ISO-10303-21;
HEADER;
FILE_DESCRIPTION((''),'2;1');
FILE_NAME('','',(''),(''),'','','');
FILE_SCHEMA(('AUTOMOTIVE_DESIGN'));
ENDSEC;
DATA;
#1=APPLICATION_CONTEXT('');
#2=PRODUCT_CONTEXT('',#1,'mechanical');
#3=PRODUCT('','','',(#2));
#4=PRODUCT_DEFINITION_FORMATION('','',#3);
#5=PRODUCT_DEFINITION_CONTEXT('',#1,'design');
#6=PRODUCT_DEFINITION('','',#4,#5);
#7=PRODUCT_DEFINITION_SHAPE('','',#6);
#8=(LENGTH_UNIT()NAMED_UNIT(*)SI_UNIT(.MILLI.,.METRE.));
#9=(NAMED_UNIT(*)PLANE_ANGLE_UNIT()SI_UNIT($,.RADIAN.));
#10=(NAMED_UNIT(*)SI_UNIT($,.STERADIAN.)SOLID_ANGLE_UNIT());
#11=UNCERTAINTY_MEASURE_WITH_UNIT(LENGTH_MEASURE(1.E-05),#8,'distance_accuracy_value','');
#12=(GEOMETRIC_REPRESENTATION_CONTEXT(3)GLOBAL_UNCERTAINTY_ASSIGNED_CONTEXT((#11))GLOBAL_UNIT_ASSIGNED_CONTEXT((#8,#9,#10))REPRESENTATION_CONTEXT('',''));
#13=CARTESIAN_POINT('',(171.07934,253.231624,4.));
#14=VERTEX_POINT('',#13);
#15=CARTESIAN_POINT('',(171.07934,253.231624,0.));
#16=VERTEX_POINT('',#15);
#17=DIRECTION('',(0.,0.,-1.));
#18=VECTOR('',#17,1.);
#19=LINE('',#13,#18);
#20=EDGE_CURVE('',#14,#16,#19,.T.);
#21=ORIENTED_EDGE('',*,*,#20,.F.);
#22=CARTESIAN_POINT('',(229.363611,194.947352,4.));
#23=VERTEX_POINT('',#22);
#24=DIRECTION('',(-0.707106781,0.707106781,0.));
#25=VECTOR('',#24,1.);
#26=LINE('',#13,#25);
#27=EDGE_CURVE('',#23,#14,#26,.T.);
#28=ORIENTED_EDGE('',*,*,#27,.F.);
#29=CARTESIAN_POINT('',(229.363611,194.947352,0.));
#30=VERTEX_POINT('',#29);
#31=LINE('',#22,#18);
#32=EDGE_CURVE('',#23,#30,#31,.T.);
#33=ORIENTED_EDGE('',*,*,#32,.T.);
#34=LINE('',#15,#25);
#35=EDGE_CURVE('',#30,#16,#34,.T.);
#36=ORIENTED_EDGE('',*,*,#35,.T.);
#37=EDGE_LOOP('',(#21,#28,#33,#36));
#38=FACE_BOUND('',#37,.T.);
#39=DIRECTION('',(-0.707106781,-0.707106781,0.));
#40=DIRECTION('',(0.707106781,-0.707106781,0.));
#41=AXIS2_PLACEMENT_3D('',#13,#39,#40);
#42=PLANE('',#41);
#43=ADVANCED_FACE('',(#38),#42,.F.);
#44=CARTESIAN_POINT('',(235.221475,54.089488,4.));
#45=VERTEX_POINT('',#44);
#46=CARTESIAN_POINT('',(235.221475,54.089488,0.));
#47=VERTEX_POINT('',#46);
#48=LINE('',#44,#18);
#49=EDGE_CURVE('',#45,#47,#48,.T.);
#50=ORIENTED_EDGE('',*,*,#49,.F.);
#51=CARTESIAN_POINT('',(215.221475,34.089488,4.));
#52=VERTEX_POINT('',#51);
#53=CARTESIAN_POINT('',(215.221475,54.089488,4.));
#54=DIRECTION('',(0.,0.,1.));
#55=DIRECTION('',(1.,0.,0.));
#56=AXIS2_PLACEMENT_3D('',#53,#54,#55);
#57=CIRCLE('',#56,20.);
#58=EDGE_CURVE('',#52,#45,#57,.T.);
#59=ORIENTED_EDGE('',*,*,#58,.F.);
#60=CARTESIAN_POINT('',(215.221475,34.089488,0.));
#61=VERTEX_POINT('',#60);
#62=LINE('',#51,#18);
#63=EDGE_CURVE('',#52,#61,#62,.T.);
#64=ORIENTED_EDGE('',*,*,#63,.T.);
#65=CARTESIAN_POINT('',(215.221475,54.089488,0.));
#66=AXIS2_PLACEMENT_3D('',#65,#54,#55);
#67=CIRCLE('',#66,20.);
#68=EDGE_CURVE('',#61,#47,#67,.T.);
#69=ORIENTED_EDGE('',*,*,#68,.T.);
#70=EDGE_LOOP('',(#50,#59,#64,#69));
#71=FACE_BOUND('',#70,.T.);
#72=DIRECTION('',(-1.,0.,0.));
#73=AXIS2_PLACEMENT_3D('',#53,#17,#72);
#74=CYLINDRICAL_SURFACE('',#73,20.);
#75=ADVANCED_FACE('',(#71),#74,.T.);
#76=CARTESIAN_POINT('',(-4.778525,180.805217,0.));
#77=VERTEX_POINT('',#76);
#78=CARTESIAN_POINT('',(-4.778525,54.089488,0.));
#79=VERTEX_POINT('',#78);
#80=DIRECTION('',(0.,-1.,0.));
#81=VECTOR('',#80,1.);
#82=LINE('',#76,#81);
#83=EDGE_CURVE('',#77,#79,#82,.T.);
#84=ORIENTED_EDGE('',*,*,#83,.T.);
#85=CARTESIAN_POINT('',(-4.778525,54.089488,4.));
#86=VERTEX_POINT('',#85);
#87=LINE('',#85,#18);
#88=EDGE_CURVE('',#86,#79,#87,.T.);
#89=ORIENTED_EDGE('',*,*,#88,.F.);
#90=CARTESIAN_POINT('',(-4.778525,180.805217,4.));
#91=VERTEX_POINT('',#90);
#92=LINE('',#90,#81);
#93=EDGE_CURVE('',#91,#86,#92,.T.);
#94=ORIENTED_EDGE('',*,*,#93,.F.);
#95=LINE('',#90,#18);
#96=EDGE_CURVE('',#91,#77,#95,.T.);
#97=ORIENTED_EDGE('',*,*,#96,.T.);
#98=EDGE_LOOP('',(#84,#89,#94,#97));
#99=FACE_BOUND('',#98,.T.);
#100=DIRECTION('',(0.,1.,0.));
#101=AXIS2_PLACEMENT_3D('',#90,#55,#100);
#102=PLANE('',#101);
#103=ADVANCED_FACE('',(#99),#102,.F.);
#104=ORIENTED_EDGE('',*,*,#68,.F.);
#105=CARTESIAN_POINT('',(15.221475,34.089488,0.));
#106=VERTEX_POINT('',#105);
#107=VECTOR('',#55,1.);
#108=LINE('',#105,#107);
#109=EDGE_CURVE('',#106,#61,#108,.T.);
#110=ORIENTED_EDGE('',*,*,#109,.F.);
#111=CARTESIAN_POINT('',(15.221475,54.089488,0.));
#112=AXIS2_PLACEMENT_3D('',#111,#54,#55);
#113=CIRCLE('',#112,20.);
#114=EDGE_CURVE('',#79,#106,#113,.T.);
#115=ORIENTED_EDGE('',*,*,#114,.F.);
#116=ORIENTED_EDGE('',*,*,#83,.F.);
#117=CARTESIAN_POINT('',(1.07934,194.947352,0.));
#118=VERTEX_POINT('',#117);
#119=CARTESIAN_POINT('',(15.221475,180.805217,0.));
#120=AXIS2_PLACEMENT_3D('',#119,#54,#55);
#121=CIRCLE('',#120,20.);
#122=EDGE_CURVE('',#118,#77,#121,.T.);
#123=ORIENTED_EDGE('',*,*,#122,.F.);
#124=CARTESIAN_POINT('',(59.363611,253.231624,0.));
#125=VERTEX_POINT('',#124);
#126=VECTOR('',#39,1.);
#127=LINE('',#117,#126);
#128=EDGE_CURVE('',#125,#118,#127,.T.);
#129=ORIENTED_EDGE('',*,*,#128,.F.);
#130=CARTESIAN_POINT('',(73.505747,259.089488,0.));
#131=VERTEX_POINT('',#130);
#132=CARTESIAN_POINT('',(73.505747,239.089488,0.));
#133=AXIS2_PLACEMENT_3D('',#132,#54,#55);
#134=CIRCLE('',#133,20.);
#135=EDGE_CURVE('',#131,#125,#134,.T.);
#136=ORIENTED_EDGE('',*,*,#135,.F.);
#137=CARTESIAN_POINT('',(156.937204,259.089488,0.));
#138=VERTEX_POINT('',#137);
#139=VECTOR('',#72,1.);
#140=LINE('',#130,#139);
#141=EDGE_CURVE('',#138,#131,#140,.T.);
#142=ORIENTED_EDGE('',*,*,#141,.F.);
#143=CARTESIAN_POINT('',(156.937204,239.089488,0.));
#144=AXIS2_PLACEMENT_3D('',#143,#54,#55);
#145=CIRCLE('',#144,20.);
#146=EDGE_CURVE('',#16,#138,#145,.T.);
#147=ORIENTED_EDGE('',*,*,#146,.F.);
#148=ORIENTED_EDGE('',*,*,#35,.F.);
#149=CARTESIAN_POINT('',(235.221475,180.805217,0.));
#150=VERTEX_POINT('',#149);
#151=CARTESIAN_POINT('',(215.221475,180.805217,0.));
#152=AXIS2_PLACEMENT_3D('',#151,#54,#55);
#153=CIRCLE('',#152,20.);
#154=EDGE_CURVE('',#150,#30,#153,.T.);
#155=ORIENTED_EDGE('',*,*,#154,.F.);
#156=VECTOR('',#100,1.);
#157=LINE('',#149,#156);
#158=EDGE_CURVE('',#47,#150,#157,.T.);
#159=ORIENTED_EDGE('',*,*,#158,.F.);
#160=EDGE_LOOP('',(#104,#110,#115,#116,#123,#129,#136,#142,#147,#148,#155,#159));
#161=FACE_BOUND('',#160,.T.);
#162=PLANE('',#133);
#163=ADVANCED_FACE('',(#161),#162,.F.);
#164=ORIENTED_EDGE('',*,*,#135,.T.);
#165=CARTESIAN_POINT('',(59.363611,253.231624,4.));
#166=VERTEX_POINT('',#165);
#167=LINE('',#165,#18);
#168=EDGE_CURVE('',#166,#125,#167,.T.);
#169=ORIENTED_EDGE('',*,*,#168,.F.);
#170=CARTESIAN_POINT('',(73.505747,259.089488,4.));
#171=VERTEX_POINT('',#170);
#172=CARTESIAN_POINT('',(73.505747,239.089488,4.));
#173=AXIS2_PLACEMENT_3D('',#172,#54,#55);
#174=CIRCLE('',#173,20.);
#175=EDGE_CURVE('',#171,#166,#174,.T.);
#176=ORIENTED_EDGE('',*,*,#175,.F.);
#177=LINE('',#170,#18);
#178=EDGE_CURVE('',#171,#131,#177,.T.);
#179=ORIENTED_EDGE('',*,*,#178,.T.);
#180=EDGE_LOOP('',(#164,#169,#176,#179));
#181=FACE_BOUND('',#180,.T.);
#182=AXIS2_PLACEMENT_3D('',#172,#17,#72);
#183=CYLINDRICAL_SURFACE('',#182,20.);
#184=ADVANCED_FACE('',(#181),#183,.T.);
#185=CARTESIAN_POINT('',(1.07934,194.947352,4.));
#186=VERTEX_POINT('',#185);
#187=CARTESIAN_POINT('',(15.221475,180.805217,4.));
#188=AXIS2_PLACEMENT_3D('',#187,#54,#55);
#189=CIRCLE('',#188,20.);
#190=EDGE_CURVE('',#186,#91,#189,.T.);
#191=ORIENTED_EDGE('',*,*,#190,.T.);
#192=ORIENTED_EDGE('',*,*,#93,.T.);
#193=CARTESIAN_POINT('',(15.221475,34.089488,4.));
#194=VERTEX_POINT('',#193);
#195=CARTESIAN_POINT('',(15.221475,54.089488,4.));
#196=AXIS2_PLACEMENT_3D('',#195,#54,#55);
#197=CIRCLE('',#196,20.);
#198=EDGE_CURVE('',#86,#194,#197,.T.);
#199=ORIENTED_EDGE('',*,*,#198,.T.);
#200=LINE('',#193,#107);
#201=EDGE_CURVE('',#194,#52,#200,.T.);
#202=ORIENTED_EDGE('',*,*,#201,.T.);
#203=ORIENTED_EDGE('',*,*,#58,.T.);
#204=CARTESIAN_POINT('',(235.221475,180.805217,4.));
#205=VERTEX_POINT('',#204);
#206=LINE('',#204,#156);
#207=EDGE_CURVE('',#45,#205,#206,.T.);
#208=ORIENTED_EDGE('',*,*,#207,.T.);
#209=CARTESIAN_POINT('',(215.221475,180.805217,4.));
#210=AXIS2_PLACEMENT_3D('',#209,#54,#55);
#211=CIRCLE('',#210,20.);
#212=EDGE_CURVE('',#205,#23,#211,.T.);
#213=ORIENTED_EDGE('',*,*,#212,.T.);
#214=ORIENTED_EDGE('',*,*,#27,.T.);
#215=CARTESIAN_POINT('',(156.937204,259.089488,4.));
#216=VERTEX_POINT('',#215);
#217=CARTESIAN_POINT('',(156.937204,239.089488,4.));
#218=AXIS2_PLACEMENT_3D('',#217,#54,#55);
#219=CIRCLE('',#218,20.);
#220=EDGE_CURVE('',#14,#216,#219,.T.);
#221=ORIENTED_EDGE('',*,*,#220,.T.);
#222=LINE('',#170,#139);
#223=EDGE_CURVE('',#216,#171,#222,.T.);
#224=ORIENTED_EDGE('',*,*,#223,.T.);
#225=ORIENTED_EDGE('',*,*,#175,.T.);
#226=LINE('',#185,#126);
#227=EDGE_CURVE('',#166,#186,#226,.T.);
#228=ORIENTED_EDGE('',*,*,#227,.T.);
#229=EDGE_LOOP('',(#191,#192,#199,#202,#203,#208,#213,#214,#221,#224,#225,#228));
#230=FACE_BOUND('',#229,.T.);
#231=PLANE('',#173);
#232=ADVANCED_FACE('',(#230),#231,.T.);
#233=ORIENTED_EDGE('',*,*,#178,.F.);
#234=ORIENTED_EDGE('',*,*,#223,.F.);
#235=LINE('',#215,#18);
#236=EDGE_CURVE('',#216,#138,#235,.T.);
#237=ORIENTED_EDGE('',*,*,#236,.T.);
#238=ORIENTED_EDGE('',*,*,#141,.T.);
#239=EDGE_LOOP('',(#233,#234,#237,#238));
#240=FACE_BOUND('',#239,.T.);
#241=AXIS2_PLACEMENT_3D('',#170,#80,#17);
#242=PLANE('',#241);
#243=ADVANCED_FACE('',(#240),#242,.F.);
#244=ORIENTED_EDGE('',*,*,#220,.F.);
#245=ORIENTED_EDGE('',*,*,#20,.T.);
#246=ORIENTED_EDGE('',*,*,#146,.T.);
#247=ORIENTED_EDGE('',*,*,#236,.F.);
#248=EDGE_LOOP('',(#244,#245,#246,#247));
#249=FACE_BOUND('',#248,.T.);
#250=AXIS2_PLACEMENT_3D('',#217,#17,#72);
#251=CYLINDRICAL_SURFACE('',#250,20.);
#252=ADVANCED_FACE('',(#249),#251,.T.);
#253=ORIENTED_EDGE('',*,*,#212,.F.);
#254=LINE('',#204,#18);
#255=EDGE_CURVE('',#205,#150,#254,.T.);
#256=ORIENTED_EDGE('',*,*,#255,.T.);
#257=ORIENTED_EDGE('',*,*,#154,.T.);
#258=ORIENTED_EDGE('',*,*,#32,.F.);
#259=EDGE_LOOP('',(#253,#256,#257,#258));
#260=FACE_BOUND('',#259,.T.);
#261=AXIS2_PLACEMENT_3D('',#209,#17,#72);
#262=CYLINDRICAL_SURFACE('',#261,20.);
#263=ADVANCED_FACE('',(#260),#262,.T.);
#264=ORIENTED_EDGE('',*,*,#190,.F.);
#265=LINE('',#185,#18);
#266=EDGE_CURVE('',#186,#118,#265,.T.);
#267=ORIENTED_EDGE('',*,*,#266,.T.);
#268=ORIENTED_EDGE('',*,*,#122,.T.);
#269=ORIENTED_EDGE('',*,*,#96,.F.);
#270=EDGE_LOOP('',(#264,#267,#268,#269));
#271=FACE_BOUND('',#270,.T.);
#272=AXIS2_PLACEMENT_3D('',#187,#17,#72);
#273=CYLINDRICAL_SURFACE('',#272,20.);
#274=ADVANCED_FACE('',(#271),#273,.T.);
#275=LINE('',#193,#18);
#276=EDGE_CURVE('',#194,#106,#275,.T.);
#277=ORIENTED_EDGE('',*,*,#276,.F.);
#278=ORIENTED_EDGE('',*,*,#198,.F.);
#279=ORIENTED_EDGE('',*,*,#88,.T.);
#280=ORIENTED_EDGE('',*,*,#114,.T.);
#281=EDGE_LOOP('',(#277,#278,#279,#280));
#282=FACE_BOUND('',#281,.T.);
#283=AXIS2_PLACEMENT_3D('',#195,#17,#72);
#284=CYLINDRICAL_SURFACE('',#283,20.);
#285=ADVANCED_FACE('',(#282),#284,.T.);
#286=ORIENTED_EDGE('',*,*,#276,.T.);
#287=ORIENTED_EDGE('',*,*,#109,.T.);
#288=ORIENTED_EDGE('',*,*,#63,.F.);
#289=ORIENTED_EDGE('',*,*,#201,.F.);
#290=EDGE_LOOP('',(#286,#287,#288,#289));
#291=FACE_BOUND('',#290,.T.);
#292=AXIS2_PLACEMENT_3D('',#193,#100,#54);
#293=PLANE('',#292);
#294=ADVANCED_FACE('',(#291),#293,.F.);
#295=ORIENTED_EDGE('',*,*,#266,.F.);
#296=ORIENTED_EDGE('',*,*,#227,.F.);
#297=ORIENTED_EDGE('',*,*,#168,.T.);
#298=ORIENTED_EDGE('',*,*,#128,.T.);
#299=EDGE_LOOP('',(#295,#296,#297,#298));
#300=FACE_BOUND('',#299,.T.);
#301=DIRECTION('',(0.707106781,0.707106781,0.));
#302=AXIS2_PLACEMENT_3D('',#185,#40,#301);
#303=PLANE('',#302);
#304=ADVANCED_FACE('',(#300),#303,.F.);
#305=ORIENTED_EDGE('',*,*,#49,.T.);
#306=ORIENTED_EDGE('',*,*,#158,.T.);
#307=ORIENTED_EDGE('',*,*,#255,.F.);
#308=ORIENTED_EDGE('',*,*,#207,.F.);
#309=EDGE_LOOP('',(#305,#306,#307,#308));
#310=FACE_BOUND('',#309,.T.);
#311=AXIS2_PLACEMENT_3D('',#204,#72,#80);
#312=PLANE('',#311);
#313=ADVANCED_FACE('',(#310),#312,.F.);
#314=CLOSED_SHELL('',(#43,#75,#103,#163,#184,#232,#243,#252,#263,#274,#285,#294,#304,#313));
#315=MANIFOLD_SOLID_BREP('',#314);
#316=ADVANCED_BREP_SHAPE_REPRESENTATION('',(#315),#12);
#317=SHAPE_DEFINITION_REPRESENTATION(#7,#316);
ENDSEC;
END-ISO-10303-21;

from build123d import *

# Parameters (mm, degrees)
EXTRUDE_1_DEPTH = 4


with BuildPart() as part:
    # 草图3 → 凸台-拉伸1 (new body)
    with BuildSketch(Plane.XY):
        with BuildLine():
            Line((73.505746565, 259.089488009), (156.93720407, 259.089488009))
            ThreePointArc((156.93720407, 259.089488009), (164.590872718, 257.56707866), (171.079339694, 253.231623633))
            Line((171.079339694, 253.231623633), (229.363610941, 194.947352386))
            ThreePointArc((229.363610941, 194.947352386), (233.699065968, 188.458885409), (235.221475318, 180.805216762))
            Line((235.221475318, 180.805216762), (235.221475318, 54.089488009))
            ThreePointArc((235.221475318, 54.089488009), (229.363610941, 39.947352386), (215.221475318, 34.089488009))
            Line((215.221475318, 34.089488009), (15.221475318, 34.089488009))
            ThreePointArc((15.221475318, 34.089488009), (1.079339694, 39.947352386), (-4.778524682, 54.089488009))
            Line((-4.778524682, 54.089488009), (-4.778524682, 180.805216762))
            ThreePointArc((-4.778524682, 180.805216762), (-3.256115333, 188.458885409), (1.079339694, 194.947352386))
            Line((1.079339694, 194.947352386), (59.363610941, 253.231623633))
            ThreePointArc((59.363610941, 253.231623633), (65.852077918, 257.56707866), (73.505746565, 259.089488009))
        make_face()
    extrude(amount=EXTRUDE_1_DEPTH)


solid = part.part
